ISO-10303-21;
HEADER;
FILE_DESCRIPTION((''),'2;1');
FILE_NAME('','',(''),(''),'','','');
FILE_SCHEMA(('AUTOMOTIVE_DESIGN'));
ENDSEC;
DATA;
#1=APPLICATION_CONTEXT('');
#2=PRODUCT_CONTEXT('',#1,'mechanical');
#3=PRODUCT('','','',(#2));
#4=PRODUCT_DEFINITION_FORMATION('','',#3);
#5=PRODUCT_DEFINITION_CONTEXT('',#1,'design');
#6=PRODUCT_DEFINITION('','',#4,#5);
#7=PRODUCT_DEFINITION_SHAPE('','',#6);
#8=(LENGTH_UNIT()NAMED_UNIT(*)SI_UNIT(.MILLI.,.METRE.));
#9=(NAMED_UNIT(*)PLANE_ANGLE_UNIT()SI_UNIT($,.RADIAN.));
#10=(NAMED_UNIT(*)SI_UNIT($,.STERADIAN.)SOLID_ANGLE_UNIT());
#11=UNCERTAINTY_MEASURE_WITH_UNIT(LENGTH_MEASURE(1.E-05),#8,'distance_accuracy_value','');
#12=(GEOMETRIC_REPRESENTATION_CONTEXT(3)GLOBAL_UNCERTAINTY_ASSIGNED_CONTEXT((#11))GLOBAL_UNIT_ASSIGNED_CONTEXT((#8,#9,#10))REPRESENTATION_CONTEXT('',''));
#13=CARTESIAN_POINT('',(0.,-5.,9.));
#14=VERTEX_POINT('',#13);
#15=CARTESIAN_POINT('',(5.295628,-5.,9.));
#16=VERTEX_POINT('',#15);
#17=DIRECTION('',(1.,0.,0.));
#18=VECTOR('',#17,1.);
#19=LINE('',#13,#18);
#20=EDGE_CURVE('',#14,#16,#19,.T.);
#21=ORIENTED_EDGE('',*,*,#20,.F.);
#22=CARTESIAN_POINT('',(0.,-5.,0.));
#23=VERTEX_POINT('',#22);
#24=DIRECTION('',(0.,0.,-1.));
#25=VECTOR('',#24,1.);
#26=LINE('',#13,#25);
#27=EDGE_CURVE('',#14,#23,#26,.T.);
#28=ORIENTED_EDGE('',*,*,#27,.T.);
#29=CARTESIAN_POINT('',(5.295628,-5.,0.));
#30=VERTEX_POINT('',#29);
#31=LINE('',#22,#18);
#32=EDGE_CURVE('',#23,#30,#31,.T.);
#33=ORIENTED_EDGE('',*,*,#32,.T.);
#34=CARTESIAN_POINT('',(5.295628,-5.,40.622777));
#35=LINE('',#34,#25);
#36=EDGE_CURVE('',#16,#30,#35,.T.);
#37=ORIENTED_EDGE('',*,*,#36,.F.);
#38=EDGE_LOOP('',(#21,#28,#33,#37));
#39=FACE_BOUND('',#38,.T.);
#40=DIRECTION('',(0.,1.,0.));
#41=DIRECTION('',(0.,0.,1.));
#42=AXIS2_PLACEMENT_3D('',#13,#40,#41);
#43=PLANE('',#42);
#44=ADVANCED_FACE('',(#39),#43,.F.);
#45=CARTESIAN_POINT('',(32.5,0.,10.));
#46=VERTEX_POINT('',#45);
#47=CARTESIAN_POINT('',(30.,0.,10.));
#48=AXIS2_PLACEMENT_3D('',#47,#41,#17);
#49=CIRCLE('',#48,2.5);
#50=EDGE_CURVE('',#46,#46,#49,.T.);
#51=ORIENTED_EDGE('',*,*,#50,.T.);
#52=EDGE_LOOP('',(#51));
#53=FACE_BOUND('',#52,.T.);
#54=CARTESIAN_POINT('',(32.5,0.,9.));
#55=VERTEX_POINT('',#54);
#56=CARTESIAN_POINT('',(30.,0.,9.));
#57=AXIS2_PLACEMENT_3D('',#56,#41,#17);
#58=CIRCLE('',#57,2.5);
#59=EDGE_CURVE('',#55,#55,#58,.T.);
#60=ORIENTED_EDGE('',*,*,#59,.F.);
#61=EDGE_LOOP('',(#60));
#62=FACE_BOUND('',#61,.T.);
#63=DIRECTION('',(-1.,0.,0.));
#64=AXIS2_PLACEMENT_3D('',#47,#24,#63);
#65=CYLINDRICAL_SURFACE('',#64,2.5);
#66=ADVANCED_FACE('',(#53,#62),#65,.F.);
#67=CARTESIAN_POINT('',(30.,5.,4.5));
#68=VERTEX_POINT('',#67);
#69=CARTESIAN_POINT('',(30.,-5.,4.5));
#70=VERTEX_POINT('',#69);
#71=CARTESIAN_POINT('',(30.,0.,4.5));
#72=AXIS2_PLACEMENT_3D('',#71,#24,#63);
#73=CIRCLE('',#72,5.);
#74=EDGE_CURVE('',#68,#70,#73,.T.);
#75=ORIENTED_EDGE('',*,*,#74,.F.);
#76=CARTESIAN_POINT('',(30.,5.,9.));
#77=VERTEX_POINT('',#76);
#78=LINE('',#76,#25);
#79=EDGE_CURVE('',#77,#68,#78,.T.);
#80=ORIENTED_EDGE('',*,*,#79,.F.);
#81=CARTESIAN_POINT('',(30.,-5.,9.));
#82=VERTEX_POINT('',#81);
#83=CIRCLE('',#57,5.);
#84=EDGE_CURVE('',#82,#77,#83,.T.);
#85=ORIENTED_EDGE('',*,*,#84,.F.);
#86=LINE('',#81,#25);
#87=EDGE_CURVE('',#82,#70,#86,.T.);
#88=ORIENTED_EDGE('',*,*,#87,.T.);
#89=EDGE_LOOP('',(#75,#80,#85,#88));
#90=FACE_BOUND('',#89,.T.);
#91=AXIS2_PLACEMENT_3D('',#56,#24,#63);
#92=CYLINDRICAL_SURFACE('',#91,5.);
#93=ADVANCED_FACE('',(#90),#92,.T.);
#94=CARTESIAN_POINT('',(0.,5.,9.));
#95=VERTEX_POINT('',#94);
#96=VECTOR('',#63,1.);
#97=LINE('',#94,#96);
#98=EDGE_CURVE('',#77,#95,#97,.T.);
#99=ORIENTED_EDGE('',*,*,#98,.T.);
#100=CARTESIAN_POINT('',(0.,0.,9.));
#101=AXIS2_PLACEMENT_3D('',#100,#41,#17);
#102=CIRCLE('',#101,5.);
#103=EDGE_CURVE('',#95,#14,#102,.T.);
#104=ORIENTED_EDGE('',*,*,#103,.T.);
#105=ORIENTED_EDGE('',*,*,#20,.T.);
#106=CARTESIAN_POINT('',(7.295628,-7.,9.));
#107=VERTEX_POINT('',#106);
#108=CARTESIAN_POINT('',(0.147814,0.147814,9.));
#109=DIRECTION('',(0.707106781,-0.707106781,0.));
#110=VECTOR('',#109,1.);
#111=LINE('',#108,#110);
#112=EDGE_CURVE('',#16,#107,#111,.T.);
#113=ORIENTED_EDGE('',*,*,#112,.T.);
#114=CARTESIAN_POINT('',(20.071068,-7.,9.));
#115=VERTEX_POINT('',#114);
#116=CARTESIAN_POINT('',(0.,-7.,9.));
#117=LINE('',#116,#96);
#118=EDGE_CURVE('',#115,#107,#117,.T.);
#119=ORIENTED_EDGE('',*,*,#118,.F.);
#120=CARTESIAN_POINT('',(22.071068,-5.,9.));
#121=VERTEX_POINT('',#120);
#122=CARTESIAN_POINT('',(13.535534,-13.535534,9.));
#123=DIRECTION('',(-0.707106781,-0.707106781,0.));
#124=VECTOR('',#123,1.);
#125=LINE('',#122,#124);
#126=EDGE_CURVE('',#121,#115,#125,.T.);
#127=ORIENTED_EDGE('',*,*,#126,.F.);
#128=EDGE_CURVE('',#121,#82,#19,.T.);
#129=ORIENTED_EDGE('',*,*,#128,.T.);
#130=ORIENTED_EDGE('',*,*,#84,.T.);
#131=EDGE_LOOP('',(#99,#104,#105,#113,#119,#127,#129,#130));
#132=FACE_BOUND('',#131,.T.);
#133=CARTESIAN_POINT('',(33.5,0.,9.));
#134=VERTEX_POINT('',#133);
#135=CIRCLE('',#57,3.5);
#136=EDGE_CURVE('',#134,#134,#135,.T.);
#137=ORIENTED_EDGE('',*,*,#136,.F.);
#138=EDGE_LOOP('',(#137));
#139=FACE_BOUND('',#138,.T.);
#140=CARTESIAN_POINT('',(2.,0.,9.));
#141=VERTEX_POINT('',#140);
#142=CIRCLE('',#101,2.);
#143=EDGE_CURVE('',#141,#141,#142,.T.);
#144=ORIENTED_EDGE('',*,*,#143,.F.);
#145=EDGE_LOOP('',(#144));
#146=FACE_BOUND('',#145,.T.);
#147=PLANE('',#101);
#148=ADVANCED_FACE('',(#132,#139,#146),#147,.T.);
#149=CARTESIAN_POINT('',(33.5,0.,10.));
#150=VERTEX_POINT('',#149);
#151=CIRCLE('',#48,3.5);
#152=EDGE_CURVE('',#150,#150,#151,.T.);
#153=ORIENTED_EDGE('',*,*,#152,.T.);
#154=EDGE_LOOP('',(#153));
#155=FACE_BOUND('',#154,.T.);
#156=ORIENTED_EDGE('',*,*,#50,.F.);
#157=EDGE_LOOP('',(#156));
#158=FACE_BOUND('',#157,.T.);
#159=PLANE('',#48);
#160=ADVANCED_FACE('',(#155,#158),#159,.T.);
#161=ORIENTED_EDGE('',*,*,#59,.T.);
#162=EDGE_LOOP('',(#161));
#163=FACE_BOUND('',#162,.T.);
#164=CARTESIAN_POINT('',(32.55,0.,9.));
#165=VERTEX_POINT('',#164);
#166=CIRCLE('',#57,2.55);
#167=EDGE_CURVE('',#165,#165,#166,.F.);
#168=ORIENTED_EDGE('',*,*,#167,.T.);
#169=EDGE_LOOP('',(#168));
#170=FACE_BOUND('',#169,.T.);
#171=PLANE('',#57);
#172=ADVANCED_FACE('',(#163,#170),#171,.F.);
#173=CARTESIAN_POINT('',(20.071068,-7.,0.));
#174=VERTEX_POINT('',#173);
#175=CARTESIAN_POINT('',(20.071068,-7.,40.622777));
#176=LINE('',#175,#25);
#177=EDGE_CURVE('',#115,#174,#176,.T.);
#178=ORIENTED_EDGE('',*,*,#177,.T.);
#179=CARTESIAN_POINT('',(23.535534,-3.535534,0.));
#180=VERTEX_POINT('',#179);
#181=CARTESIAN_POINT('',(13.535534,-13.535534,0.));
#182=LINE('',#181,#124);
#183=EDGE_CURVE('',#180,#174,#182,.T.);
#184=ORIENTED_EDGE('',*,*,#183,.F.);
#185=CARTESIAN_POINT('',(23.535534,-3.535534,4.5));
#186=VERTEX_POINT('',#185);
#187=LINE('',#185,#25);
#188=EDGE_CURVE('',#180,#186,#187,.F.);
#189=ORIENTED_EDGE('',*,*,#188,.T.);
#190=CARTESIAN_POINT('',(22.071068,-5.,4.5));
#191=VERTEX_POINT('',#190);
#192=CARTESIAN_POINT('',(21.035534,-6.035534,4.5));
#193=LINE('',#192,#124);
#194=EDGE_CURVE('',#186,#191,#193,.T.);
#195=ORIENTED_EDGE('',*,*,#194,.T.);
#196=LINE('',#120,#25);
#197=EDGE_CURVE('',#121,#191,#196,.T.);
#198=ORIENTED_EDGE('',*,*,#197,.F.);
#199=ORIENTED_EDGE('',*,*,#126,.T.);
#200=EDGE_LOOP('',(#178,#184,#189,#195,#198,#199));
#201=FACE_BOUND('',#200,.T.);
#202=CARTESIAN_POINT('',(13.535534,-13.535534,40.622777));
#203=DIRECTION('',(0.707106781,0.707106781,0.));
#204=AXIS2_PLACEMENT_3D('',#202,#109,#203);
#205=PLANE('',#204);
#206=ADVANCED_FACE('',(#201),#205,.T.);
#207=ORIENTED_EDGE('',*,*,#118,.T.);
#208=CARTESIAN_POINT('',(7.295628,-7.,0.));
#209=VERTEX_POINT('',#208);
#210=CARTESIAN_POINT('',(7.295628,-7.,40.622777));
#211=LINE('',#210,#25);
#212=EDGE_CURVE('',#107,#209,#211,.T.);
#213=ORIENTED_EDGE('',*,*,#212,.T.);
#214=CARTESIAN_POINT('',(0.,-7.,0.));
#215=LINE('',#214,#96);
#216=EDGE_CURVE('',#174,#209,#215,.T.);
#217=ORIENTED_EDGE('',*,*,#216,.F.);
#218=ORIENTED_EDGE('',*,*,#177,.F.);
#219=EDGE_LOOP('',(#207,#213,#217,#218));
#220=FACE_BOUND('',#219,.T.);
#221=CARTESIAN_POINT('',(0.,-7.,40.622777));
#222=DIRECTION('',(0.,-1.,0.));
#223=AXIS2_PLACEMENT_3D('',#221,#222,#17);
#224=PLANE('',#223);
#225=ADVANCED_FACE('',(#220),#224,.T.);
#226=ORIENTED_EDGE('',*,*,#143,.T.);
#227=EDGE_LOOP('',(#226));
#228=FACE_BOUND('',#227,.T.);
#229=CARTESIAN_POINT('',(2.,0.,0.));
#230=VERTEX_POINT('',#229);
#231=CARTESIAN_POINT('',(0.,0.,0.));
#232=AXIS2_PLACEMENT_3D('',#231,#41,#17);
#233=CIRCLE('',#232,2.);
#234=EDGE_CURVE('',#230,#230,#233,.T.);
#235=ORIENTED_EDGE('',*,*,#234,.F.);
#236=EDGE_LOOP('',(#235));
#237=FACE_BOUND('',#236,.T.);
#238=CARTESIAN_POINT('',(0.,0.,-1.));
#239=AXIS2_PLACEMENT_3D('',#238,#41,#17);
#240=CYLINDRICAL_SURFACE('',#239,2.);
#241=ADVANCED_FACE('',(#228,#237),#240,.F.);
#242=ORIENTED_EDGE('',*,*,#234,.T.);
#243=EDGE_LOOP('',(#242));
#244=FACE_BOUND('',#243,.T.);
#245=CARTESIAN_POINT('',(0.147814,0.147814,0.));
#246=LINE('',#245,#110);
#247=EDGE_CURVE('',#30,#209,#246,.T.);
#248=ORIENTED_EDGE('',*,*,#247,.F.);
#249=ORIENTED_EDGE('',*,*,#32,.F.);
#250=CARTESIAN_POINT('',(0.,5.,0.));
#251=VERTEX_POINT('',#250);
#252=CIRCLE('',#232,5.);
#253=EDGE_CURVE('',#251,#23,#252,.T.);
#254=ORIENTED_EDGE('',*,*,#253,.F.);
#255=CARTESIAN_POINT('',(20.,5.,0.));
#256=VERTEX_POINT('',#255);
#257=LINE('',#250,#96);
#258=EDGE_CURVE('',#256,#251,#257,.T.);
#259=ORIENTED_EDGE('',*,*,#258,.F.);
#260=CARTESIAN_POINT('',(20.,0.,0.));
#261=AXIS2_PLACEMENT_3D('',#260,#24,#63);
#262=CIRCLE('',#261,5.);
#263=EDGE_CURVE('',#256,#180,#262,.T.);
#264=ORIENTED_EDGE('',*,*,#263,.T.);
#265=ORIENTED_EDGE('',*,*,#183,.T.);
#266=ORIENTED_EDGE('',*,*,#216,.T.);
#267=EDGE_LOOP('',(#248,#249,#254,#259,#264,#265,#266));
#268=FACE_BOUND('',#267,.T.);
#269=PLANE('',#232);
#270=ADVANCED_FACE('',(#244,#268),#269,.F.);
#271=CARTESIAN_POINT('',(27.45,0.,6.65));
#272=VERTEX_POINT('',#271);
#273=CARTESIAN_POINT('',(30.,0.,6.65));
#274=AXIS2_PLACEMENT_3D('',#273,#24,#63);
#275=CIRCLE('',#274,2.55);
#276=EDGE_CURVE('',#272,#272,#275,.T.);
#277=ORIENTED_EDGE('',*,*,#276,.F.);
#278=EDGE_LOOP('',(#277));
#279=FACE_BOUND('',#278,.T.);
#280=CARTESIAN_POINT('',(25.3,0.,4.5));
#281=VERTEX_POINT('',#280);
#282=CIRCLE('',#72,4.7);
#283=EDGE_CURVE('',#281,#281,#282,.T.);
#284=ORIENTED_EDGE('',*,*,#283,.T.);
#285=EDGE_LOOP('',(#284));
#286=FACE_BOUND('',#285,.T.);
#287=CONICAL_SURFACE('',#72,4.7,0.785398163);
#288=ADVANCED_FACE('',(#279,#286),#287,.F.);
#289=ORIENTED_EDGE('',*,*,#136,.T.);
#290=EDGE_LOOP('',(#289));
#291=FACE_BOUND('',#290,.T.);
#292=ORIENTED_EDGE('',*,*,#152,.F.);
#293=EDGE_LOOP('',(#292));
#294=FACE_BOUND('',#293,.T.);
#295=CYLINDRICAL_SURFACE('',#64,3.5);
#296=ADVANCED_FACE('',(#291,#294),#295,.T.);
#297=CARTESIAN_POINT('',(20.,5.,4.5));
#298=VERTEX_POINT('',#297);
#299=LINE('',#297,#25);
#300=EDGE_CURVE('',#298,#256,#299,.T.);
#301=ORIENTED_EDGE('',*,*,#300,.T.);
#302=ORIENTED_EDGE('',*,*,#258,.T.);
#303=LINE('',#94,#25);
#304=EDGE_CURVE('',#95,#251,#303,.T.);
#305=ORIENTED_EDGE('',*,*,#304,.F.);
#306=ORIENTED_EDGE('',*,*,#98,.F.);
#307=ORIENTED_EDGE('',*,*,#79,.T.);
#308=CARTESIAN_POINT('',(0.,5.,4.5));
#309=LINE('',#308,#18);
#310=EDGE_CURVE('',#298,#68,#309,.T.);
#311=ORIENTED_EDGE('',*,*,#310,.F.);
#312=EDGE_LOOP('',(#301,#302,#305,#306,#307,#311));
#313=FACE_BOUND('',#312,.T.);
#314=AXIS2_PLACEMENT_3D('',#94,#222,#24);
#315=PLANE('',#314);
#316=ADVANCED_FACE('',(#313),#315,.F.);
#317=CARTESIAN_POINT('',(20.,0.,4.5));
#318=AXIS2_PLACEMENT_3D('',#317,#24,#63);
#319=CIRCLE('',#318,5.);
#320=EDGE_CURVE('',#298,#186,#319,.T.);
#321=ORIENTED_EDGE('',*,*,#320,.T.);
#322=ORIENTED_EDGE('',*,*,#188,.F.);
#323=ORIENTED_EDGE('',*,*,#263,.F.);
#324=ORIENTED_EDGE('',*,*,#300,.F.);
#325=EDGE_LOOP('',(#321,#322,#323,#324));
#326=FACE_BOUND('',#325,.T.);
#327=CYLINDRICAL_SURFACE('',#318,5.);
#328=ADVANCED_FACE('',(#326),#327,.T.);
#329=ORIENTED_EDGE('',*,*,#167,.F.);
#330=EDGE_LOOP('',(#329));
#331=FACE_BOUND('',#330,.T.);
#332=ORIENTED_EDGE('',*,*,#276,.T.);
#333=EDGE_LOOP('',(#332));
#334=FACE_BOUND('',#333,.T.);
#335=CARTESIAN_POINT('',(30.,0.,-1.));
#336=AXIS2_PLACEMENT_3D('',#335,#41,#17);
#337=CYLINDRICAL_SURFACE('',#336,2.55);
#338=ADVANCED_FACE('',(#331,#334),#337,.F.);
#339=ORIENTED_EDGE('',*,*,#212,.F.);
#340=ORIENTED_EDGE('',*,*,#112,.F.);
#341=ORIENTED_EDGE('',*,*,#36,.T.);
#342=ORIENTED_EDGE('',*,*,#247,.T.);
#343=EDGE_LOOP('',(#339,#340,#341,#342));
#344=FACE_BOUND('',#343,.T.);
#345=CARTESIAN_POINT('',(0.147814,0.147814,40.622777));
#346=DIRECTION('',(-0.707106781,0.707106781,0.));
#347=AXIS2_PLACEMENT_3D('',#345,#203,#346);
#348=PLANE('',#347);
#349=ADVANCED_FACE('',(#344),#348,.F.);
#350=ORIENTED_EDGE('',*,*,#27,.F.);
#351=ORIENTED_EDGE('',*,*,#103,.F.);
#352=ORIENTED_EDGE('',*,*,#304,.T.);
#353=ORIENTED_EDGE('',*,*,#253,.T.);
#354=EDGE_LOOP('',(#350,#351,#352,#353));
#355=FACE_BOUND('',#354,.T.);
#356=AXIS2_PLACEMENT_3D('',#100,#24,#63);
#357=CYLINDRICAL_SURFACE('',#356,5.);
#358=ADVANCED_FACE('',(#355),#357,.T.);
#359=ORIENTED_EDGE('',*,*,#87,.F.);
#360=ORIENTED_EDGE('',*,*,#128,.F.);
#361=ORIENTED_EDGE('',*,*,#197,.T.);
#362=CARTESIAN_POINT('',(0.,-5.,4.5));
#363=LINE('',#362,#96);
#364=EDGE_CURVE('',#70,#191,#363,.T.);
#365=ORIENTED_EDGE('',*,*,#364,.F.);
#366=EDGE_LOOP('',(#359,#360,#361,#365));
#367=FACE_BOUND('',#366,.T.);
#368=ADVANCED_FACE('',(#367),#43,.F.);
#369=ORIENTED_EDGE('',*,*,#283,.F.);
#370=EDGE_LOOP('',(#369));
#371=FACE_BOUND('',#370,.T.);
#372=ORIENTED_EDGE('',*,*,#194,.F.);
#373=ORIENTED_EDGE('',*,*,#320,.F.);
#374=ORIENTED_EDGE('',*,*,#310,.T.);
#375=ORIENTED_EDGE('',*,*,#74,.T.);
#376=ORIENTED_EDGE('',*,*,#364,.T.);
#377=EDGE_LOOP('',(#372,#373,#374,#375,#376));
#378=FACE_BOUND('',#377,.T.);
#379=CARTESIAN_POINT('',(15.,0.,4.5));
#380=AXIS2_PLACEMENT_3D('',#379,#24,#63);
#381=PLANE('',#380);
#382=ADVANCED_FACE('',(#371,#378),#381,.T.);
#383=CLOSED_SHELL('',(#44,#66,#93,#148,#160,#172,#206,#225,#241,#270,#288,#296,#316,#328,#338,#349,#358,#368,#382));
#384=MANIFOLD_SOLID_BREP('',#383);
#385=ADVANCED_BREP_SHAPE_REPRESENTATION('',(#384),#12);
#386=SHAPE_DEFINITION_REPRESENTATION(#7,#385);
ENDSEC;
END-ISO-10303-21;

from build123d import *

# Parameters (mm, degrees)
P_IDAT_VYSUNUT_M1_DEPTH                           = 9
SKICA2_R                                          = 2
SKICA2_R_2                                        = 2.55
ODEBRAT_VYSUNUT_M1_DEPTH                          = 10
SKICA4_OUTSIDE_W                                  = 50.44
SKICA4_OUTSIDE_H                                  = 20.44
ODEBRAT_VYSUNUT_M5_DEPTH                          = 4.5
KU_ELOV_ZAHLOUBEN_PRO_M4_ROUBU_SE_Z_P_D           = 4.5
KU_ELOV_ZAHLOUBEN_PRO_M4_ROUBU_SE_Z_P_DEPTH       = 13.5
KU_ELOV_ZAHLOUBEN_PRO_M4_ROUBU_SE_Z_P_CSINK_D     = 9.4
KU_ELOV_ZAHLOUBEN_PRO_M4_ROUBU_SE_Z_P_CSINK_ANGLE = 90
KU_ELOV_ZAHLOUBEN_PRO_M4_ROUBU_SE_Z_P_TIP         = 1.351936393
SKICA14_R                                         = 3.5
SKICA14_R_2                                       = 2.5
P_IDAT_VYSUNUT_M3_DEPTH                           = 1
P_IDAT_VYSUNUT_M5_REACH                           = 38.742
SKICA15_R                                         = 2


with BuildPart() as part:
    # Skica1 → Přidat vysunutím1 (new body)
    with BuildSketch(Plane.XY):
        with BuildLine():
            Line((0, 5), (30, 5))
            ThreePointArc((30, 5), (35, 0), (30, -5))
            Line((30, -5), (0, -5))
            ThreePointArc((0, -5), (-5, 0), (0, 5))
        make_face()
    extrude(amount=P_IDAT_VYSUNUT_M1_DEPTH)

    # Skica2 → Odebrat vysunutím1 (cut)
    with BuildSketch(Plane.XY.offset(9)):
        Circle(SKICA2_R)
        with Locations((30, 0)):
            Circle(SKICA2_R_2)
    extrude(amount=-ODEBRAT_VYSUNUT_M1_DEPTH, mode=Mode.SUBTRACT)

    # Skica4 outside → Odebrat vysunutím5 (cut)
    with BuildSketch(Plane(origin=(0, 0, 0), x_dir=(-1, 0, 0), z_dir=(0, 0, -1))):
        with Locations((-15, 0)):
            Rectangle(SKICA4_OUTSIDE_W, SKICA4_OUTSIDE_H)
        with BuildLine():
            Line((0, -5), (-20, -5))
            ThreePointArc((-20, -5), (-25, 0), (-20, 5))
            Line((-20, 5), (0, 5))
            ThreePointArc((0, 5), (5, 0), (0, -5))
        make_face(mode=Mode.SUBTRACT)
    extrude(amount=-ODEBRAT_VYSUNUT_M5_DEPTH, mode=Mode.SUBTRACT)

    # Kuželové zahloubení pro M4 šroubu se zápustnou hlavou plochou1
    with Locations(Plane(origin=(0, 0, 4.5), x_dir=(-1, 0, 0), z_dir=(0, 0, -1))):
        with Locations((-30, 0)):
            CounterSinkHole(KU_ELOV_ZAHLOUBEN_PRO_M4_ROUBU_SE_Z_P_D / 2, KU_ELOV_ZAHLOUBEN_PRO_M4_ROUBU_SE_Z_P_CSINK_D / 2, depth=KU_ELOV_ZAHLOUBEN_PRO_M4_ROUBU_SE_Z_P_DEPTH, counter_sink_angle=KU_ELOV_ZAHLOUBEN_PRO_M4_ROUBU_SE_Z_P_CSINK_ANGLE)
            with Locations((0, 0, -(KU_ELOV_ZAHLOUBEN_PRO_M4_ROUBU_SE_Z_P_DEPTH + KU_ELOV_ZAHLOUBEN_PRO_M4_ROUBU_SE_Z_P_TIP / 2))):  # 118° drill point
                Cone(0, KU_ELOV_ZAHLOUBEN_PRO_M4_ROUBU_SE_Z_P_D / 2, KU_ELOV_ZAHLOUBEN_PRO_M4_ROUBU_SE_Z_P_TIP, mode=Mode.SUBTRACT)

    # Skica14 → Přidat vysunutím3 (add)
    with BuildSketch(Plane.XY.offset(9)):
        with Locations((30, 0)):
            Circle(SKICA14_R)
        with Locations((30, 0)):
            Circle(SKICA14_R_2, mode=Mode.SUBTRACT)
    extrude(amount=P_IDAT_VYSUNUT_M3_DEPTH)

    # Přidat vysunutím5: up to this face of the body (flat: up to its plane)
    p_idat_vysunut_m5_end = Plane(part.part.faces().sort_by_distance((13.81286954, 0, 9))[0])
    # Skica15 → Přidat vysunutím5 (add, up to the picked face)
    with BuildSketch(Plane(origin=(0, 0, 0), x_dir=(-1, 0, 0), z_dir=(0, 0, -1)), mode=Mode.PRIVATE) as p_idat_vysunut_m5_sk1:
        with BuildLine():
            Line((-25, 0), (-5.295627791, 0))
            Line((-5.295627791, 0), (-5.295627791, -5))
            Line((-5.295627791, -5), (0, -5))
            ThreePointArc((0, -5), (5, 0), (0, 5))
            Line((0, 5), (-20, 5))
            ThreePointArc((-20, 5), (-23.535533906, 3.535533906), (-25, 0))
        make_face()
        with Locations(Location((0, 0, 0), (0, 0, 180))):
            Circle(SKICA15_R, mode=Mode.SUBTRACT)
    p_idat_vysunut_m5_tool1 = split(extrude(p_idat_vysunut_m5_sk1.sketch, amount=-P_IDAT_VYSUNUT_M5_REACH, mode=Mode.PRIVATE), bisect_by=p_idat_vysunut_m5_end, keep=Keep.BOTH, mode=Mode.PRIVATE)
    # Skica15 → Přidat vysunutím5 (add, up to the picked face)
    with BuildSketch(Plane(origin=(0, 0, 0), x_dir=(-1, 0, 0), z_dir=(0, 0, -1)), mode=Mode.PRIVATE) as p_idat_vysunut_m5_sk2:
        with BuildLine():
            Line((-7.295627791, -7), (-5.295627791, -5))
            Line((-5.295627791, -5), (-20, -5))
            ThreePointArc((-20, -5), (-21.913417162, -4.619397663), (-23.535533906, -3.535533906))
            Line((-23.535533906, -3.535533906), (-20.071067812, -7))
            Line((-20.071067812, -7), (-7.295627791, -7))
        make_face()
    p_idat_vysunut_m5_tool2 = split(extrude(p_idat_vysunut_m5_sk2.sketch, amount=-P_IDAT_VYSUNUT_M5_REACH, mode=Mode.PRIVATE), bisect_by=p_idat_vysunut_m5_end, keep=Keep.BOTH, mode=Mode.PRIVATE)
    add(p_idat_vysunut_m5_tool1.solids().sort_by(Axis((8.223408, 1.304685, 0), (0, 0, 1)))[0])
    add(p_idat_vysunut_m5_tool2.solids().sort_by(Axis((13.831058, -5.932433, 0), (0, 0, 1)))[0])


solid = part.part
